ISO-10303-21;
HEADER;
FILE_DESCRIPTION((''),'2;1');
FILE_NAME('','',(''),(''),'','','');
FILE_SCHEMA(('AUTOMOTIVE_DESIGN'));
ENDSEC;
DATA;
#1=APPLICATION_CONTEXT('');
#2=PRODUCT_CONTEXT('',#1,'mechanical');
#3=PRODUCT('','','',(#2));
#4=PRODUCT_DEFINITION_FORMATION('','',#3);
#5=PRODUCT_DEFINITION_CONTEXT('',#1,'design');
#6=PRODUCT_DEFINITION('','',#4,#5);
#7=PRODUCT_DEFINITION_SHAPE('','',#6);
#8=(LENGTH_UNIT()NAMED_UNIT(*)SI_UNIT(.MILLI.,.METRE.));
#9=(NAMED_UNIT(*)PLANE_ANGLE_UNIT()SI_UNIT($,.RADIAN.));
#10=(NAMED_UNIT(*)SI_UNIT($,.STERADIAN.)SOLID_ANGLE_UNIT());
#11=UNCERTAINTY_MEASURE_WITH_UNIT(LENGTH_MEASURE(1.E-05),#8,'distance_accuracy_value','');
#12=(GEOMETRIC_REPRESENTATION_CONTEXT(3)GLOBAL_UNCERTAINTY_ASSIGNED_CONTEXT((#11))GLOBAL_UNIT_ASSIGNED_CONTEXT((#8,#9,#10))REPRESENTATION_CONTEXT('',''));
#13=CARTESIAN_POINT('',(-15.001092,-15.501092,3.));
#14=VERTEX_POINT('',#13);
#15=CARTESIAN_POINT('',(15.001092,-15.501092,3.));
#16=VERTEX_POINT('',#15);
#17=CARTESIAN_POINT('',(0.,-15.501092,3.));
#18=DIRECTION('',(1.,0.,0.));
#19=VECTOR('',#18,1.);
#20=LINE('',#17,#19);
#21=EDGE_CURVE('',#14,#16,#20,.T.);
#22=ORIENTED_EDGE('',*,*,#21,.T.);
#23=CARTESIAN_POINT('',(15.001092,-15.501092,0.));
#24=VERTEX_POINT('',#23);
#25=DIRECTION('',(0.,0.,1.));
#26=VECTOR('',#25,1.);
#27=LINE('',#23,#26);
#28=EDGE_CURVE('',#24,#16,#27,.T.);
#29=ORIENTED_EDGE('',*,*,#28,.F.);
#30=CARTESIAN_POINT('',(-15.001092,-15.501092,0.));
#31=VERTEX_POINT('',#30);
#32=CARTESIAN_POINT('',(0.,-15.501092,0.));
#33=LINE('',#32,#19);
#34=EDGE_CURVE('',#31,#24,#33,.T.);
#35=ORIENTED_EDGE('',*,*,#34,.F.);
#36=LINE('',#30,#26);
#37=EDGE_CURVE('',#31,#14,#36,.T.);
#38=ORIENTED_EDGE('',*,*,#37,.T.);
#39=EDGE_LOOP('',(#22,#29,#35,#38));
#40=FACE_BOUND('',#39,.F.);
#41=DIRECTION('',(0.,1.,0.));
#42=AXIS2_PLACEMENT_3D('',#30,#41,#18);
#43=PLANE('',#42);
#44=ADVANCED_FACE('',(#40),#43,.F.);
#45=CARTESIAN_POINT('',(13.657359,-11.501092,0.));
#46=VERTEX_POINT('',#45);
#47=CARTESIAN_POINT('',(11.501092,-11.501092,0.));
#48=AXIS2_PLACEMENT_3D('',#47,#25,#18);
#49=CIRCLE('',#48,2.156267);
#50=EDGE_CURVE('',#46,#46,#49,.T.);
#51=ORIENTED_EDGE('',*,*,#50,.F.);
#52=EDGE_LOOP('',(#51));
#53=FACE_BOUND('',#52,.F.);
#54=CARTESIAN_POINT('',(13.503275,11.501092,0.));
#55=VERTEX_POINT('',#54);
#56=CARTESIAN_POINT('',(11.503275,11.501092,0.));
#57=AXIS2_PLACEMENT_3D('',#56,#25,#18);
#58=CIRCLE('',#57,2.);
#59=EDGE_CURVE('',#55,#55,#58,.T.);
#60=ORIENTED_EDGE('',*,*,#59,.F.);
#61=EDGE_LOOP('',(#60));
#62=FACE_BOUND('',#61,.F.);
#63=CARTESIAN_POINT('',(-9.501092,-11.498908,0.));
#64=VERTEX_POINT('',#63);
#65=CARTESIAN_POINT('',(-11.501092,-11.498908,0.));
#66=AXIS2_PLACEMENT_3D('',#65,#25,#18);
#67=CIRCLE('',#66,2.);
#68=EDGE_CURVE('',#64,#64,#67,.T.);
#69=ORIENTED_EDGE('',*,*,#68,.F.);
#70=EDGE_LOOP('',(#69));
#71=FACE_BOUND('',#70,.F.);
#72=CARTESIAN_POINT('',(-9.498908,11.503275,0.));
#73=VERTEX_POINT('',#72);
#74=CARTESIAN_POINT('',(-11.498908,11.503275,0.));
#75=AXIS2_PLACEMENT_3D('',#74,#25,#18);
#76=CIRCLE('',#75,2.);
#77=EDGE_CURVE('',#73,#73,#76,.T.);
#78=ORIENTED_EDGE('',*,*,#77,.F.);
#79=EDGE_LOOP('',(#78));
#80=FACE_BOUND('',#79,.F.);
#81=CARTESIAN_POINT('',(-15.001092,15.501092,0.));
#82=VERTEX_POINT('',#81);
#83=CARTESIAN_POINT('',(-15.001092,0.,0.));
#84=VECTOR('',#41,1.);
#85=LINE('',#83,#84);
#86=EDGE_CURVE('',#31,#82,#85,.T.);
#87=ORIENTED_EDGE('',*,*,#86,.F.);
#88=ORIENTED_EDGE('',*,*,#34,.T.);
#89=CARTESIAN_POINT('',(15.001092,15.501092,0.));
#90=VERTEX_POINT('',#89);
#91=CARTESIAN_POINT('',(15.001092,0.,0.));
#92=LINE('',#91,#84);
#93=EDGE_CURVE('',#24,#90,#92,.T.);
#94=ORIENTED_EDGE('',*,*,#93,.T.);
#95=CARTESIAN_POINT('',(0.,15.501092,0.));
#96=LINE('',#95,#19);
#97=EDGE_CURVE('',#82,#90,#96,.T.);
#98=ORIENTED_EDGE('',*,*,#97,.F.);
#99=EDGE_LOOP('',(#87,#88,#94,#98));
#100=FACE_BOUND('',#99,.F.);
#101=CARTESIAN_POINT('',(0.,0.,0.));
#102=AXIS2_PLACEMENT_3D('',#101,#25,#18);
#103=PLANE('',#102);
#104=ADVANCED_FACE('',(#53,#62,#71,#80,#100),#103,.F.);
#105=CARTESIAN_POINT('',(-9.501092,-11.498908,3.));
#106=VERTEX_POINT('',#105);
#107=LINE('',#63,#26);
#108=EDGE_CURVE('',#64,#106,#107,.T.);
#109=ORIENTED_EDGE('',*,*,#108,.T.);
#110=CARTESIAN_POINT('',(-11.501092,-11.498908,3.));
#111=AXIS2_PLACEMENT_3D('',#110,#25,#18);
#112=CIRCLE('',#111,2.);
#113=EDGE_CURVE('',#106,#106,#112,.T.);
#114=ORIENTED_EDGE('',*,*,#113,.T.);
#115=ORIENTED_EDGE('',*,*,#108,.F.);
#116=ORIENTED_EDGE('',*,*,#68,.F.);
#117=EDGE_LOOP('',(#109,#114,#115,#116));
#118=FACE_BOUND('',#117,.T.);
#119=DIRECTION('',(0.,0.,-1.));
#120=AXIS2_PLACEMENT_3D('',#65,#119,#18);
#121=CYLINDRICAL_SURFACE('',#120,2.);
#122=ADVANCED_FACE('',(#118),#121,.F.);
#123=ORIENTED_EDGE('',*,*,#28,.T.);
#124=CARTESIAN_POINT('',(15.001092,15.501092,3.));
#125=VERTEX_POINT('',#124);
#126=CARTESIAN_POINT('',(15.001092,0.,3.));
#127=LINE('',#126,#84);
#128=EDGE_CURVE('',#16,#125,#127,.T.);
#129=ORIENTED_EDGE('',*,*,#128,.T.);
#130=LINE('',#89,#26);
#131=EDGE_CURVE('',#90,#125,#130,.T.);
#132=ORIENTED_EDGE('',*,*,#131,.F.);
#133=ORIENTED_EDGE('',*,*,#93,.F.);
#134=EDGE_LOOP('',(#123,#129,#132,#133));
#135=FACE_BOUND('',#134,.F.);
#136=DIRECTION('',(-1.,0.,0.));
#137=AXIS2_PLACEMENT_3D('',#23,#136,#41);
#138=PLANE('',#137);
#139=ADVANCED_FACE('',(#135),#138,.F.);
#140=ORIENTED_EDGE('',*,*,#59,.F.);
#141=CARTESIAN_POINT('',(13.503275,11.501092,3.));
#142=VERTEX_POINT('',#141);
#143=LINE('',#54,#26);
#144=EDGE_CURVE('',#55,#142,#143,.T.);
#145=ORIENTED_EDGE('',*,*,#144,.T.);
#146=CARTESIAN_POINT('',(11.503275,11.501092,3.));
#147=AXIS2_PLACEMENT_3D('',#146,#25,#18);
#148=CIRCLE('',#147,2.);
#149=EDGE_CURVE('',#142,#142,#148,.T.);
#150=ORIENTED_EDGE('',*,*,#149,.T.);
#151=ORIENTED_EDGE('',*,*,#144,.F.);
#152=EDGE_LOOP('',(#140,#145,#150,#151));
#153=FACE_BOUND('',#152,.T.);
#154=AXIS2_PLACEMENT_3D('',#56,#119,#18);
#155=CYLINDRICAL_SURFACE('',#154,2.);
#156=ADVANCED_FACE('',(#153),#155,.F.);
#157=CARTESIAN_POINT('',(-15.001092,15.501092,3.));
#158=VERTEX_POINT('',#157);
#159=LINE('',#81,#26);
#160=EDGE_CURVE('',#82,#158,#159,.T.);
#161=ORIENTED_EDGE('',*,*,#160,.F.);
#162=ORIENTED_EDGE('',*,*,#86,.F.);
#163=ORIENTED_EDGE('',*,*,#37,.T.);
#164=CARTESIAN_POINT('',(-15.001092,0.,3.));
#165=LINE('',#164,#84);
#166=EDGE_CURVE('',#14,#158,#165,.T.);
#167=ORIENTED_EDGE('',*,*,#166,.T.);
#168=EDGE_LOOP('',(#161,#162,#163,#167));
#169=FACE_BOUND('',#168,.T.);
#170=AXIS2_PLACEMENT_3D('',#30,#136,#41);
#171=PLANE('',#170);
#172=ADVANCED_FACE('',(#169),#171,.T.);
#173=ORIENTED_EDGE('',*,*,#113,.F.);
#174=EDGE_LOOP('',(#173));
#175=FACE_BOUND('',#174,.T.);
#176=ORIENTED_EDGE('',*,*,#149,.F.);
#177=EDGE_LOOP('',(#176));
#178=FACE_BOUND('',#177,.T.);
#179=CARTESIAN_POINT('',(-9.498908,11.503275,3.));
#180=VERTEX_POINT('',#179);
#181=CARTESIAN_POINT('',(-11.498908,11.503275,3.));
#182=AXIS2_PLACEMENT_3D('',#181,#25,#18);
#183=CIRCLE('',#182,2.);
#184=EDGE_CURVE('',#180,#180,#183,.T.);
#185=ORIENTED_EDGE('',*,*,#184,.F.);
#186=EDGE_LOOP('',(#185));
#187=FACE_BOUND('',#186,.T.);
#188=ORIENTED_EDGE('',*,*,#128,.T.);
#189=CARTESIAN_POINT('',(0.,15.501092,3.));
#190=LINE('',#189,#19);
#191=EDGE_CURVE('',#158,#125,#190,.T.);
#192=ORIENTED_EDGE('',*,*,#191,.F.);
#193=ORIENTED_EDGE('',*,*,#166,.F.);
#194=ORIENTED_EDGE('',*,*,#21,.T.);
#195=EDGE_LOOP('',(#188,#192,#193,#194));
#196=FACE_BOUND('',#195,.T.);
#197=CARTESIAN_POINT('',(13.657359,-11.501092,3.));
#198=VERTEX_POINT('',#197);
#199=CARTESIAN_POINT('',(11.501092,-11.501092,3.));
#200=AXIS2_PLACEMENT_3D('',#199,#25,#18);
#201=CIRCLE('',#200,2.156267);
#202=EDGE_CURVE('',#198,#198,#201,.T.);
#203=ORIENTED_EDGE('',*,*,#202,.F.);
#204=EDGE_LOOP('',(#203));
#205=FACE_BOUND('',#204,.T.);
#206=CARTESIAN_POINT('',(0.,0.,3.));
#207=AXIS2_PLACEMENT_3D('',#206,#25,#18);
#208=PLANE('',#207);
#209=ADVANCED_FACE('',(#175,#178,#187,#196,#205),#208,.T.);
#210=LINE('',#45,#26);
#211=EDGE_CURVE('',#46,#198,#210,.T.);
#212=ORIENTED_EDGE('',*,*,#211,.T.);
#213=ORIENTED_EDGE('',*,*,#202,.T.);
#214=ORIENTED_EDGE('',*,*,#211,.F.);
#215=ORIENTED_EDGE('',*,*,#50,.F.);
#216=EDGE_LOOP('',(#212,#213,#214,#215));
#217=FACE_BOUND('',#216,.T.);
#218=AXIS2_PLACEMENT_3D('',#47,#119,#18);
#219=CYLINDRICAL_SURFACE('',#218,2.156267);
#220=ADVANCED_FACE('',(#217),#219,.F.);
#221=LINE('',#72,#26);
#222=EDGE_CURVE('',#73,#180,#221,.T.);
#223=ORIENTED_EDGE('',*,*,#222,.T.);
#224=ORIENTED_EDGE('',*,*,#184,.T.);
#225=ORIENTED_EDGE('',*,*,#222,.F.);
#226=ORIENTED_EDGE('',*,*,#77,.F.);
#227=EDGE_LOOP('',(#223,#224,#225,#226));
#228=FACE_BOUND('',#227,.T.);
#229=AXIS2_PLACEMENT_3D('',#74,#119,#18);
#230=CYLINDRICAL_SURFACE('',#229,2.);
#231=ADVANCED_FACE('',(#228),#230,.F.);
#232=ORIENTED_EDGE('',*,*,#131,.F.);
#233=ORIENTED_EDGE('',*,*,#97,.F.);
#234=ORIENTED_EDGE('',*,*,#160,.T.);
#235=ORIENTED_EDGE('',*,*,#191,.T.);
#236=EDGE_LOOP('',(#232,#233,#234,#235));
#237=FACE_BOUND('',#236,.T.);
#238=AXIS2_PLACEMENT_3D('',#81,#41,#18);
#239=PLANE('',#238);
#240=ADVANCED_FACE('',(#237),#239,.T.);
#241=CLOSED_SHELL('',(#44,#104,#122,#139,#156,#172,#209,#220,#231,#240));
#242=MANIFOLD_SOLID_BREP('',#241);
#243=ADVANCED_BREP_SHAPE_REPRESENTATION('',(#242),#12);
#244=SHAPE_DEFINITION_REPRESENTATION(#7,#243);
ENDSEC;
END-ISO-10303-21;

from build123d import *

# Parameters (mm, degrees)
SKETCH2_W           = 30.002183488
SKETCH2_H           = 31.002183488
SKETCH2_R           = 2
SKETCH2_R_2         = 2.156266898
BOSS_EXTRUDE1_DEPTH = 3


with BuildPart() as part:
    # Sketch2 → Boss-Extrude1 (new body)
    with BuildSketch(Plane.XY):
        Rectangle(SKETCH2_W, SKETCH2_H)
        with Locations((-11.498908256, 11.503275233)):
            Circle(SKETCH2_R, mode=Mode.SUBTRACT)
        with Locations((11.503275233, 11.501091744)):
            Circle(SKETCH2_R, mode=Mode.SUBTRACT)
        with Locations((-11.501091744, -11.498908256)):
            Circle(SKETCH2_R, mode=Mode.SUBTRACT)
        with Locations((11.501091744, -11.501091744)):
            Circle(SKETCH2_R_2, mode=Mode.SUBTRACT)
    extrude(amount=BOSS_EXTRUDE1_DEPTH)


solid = part.part
